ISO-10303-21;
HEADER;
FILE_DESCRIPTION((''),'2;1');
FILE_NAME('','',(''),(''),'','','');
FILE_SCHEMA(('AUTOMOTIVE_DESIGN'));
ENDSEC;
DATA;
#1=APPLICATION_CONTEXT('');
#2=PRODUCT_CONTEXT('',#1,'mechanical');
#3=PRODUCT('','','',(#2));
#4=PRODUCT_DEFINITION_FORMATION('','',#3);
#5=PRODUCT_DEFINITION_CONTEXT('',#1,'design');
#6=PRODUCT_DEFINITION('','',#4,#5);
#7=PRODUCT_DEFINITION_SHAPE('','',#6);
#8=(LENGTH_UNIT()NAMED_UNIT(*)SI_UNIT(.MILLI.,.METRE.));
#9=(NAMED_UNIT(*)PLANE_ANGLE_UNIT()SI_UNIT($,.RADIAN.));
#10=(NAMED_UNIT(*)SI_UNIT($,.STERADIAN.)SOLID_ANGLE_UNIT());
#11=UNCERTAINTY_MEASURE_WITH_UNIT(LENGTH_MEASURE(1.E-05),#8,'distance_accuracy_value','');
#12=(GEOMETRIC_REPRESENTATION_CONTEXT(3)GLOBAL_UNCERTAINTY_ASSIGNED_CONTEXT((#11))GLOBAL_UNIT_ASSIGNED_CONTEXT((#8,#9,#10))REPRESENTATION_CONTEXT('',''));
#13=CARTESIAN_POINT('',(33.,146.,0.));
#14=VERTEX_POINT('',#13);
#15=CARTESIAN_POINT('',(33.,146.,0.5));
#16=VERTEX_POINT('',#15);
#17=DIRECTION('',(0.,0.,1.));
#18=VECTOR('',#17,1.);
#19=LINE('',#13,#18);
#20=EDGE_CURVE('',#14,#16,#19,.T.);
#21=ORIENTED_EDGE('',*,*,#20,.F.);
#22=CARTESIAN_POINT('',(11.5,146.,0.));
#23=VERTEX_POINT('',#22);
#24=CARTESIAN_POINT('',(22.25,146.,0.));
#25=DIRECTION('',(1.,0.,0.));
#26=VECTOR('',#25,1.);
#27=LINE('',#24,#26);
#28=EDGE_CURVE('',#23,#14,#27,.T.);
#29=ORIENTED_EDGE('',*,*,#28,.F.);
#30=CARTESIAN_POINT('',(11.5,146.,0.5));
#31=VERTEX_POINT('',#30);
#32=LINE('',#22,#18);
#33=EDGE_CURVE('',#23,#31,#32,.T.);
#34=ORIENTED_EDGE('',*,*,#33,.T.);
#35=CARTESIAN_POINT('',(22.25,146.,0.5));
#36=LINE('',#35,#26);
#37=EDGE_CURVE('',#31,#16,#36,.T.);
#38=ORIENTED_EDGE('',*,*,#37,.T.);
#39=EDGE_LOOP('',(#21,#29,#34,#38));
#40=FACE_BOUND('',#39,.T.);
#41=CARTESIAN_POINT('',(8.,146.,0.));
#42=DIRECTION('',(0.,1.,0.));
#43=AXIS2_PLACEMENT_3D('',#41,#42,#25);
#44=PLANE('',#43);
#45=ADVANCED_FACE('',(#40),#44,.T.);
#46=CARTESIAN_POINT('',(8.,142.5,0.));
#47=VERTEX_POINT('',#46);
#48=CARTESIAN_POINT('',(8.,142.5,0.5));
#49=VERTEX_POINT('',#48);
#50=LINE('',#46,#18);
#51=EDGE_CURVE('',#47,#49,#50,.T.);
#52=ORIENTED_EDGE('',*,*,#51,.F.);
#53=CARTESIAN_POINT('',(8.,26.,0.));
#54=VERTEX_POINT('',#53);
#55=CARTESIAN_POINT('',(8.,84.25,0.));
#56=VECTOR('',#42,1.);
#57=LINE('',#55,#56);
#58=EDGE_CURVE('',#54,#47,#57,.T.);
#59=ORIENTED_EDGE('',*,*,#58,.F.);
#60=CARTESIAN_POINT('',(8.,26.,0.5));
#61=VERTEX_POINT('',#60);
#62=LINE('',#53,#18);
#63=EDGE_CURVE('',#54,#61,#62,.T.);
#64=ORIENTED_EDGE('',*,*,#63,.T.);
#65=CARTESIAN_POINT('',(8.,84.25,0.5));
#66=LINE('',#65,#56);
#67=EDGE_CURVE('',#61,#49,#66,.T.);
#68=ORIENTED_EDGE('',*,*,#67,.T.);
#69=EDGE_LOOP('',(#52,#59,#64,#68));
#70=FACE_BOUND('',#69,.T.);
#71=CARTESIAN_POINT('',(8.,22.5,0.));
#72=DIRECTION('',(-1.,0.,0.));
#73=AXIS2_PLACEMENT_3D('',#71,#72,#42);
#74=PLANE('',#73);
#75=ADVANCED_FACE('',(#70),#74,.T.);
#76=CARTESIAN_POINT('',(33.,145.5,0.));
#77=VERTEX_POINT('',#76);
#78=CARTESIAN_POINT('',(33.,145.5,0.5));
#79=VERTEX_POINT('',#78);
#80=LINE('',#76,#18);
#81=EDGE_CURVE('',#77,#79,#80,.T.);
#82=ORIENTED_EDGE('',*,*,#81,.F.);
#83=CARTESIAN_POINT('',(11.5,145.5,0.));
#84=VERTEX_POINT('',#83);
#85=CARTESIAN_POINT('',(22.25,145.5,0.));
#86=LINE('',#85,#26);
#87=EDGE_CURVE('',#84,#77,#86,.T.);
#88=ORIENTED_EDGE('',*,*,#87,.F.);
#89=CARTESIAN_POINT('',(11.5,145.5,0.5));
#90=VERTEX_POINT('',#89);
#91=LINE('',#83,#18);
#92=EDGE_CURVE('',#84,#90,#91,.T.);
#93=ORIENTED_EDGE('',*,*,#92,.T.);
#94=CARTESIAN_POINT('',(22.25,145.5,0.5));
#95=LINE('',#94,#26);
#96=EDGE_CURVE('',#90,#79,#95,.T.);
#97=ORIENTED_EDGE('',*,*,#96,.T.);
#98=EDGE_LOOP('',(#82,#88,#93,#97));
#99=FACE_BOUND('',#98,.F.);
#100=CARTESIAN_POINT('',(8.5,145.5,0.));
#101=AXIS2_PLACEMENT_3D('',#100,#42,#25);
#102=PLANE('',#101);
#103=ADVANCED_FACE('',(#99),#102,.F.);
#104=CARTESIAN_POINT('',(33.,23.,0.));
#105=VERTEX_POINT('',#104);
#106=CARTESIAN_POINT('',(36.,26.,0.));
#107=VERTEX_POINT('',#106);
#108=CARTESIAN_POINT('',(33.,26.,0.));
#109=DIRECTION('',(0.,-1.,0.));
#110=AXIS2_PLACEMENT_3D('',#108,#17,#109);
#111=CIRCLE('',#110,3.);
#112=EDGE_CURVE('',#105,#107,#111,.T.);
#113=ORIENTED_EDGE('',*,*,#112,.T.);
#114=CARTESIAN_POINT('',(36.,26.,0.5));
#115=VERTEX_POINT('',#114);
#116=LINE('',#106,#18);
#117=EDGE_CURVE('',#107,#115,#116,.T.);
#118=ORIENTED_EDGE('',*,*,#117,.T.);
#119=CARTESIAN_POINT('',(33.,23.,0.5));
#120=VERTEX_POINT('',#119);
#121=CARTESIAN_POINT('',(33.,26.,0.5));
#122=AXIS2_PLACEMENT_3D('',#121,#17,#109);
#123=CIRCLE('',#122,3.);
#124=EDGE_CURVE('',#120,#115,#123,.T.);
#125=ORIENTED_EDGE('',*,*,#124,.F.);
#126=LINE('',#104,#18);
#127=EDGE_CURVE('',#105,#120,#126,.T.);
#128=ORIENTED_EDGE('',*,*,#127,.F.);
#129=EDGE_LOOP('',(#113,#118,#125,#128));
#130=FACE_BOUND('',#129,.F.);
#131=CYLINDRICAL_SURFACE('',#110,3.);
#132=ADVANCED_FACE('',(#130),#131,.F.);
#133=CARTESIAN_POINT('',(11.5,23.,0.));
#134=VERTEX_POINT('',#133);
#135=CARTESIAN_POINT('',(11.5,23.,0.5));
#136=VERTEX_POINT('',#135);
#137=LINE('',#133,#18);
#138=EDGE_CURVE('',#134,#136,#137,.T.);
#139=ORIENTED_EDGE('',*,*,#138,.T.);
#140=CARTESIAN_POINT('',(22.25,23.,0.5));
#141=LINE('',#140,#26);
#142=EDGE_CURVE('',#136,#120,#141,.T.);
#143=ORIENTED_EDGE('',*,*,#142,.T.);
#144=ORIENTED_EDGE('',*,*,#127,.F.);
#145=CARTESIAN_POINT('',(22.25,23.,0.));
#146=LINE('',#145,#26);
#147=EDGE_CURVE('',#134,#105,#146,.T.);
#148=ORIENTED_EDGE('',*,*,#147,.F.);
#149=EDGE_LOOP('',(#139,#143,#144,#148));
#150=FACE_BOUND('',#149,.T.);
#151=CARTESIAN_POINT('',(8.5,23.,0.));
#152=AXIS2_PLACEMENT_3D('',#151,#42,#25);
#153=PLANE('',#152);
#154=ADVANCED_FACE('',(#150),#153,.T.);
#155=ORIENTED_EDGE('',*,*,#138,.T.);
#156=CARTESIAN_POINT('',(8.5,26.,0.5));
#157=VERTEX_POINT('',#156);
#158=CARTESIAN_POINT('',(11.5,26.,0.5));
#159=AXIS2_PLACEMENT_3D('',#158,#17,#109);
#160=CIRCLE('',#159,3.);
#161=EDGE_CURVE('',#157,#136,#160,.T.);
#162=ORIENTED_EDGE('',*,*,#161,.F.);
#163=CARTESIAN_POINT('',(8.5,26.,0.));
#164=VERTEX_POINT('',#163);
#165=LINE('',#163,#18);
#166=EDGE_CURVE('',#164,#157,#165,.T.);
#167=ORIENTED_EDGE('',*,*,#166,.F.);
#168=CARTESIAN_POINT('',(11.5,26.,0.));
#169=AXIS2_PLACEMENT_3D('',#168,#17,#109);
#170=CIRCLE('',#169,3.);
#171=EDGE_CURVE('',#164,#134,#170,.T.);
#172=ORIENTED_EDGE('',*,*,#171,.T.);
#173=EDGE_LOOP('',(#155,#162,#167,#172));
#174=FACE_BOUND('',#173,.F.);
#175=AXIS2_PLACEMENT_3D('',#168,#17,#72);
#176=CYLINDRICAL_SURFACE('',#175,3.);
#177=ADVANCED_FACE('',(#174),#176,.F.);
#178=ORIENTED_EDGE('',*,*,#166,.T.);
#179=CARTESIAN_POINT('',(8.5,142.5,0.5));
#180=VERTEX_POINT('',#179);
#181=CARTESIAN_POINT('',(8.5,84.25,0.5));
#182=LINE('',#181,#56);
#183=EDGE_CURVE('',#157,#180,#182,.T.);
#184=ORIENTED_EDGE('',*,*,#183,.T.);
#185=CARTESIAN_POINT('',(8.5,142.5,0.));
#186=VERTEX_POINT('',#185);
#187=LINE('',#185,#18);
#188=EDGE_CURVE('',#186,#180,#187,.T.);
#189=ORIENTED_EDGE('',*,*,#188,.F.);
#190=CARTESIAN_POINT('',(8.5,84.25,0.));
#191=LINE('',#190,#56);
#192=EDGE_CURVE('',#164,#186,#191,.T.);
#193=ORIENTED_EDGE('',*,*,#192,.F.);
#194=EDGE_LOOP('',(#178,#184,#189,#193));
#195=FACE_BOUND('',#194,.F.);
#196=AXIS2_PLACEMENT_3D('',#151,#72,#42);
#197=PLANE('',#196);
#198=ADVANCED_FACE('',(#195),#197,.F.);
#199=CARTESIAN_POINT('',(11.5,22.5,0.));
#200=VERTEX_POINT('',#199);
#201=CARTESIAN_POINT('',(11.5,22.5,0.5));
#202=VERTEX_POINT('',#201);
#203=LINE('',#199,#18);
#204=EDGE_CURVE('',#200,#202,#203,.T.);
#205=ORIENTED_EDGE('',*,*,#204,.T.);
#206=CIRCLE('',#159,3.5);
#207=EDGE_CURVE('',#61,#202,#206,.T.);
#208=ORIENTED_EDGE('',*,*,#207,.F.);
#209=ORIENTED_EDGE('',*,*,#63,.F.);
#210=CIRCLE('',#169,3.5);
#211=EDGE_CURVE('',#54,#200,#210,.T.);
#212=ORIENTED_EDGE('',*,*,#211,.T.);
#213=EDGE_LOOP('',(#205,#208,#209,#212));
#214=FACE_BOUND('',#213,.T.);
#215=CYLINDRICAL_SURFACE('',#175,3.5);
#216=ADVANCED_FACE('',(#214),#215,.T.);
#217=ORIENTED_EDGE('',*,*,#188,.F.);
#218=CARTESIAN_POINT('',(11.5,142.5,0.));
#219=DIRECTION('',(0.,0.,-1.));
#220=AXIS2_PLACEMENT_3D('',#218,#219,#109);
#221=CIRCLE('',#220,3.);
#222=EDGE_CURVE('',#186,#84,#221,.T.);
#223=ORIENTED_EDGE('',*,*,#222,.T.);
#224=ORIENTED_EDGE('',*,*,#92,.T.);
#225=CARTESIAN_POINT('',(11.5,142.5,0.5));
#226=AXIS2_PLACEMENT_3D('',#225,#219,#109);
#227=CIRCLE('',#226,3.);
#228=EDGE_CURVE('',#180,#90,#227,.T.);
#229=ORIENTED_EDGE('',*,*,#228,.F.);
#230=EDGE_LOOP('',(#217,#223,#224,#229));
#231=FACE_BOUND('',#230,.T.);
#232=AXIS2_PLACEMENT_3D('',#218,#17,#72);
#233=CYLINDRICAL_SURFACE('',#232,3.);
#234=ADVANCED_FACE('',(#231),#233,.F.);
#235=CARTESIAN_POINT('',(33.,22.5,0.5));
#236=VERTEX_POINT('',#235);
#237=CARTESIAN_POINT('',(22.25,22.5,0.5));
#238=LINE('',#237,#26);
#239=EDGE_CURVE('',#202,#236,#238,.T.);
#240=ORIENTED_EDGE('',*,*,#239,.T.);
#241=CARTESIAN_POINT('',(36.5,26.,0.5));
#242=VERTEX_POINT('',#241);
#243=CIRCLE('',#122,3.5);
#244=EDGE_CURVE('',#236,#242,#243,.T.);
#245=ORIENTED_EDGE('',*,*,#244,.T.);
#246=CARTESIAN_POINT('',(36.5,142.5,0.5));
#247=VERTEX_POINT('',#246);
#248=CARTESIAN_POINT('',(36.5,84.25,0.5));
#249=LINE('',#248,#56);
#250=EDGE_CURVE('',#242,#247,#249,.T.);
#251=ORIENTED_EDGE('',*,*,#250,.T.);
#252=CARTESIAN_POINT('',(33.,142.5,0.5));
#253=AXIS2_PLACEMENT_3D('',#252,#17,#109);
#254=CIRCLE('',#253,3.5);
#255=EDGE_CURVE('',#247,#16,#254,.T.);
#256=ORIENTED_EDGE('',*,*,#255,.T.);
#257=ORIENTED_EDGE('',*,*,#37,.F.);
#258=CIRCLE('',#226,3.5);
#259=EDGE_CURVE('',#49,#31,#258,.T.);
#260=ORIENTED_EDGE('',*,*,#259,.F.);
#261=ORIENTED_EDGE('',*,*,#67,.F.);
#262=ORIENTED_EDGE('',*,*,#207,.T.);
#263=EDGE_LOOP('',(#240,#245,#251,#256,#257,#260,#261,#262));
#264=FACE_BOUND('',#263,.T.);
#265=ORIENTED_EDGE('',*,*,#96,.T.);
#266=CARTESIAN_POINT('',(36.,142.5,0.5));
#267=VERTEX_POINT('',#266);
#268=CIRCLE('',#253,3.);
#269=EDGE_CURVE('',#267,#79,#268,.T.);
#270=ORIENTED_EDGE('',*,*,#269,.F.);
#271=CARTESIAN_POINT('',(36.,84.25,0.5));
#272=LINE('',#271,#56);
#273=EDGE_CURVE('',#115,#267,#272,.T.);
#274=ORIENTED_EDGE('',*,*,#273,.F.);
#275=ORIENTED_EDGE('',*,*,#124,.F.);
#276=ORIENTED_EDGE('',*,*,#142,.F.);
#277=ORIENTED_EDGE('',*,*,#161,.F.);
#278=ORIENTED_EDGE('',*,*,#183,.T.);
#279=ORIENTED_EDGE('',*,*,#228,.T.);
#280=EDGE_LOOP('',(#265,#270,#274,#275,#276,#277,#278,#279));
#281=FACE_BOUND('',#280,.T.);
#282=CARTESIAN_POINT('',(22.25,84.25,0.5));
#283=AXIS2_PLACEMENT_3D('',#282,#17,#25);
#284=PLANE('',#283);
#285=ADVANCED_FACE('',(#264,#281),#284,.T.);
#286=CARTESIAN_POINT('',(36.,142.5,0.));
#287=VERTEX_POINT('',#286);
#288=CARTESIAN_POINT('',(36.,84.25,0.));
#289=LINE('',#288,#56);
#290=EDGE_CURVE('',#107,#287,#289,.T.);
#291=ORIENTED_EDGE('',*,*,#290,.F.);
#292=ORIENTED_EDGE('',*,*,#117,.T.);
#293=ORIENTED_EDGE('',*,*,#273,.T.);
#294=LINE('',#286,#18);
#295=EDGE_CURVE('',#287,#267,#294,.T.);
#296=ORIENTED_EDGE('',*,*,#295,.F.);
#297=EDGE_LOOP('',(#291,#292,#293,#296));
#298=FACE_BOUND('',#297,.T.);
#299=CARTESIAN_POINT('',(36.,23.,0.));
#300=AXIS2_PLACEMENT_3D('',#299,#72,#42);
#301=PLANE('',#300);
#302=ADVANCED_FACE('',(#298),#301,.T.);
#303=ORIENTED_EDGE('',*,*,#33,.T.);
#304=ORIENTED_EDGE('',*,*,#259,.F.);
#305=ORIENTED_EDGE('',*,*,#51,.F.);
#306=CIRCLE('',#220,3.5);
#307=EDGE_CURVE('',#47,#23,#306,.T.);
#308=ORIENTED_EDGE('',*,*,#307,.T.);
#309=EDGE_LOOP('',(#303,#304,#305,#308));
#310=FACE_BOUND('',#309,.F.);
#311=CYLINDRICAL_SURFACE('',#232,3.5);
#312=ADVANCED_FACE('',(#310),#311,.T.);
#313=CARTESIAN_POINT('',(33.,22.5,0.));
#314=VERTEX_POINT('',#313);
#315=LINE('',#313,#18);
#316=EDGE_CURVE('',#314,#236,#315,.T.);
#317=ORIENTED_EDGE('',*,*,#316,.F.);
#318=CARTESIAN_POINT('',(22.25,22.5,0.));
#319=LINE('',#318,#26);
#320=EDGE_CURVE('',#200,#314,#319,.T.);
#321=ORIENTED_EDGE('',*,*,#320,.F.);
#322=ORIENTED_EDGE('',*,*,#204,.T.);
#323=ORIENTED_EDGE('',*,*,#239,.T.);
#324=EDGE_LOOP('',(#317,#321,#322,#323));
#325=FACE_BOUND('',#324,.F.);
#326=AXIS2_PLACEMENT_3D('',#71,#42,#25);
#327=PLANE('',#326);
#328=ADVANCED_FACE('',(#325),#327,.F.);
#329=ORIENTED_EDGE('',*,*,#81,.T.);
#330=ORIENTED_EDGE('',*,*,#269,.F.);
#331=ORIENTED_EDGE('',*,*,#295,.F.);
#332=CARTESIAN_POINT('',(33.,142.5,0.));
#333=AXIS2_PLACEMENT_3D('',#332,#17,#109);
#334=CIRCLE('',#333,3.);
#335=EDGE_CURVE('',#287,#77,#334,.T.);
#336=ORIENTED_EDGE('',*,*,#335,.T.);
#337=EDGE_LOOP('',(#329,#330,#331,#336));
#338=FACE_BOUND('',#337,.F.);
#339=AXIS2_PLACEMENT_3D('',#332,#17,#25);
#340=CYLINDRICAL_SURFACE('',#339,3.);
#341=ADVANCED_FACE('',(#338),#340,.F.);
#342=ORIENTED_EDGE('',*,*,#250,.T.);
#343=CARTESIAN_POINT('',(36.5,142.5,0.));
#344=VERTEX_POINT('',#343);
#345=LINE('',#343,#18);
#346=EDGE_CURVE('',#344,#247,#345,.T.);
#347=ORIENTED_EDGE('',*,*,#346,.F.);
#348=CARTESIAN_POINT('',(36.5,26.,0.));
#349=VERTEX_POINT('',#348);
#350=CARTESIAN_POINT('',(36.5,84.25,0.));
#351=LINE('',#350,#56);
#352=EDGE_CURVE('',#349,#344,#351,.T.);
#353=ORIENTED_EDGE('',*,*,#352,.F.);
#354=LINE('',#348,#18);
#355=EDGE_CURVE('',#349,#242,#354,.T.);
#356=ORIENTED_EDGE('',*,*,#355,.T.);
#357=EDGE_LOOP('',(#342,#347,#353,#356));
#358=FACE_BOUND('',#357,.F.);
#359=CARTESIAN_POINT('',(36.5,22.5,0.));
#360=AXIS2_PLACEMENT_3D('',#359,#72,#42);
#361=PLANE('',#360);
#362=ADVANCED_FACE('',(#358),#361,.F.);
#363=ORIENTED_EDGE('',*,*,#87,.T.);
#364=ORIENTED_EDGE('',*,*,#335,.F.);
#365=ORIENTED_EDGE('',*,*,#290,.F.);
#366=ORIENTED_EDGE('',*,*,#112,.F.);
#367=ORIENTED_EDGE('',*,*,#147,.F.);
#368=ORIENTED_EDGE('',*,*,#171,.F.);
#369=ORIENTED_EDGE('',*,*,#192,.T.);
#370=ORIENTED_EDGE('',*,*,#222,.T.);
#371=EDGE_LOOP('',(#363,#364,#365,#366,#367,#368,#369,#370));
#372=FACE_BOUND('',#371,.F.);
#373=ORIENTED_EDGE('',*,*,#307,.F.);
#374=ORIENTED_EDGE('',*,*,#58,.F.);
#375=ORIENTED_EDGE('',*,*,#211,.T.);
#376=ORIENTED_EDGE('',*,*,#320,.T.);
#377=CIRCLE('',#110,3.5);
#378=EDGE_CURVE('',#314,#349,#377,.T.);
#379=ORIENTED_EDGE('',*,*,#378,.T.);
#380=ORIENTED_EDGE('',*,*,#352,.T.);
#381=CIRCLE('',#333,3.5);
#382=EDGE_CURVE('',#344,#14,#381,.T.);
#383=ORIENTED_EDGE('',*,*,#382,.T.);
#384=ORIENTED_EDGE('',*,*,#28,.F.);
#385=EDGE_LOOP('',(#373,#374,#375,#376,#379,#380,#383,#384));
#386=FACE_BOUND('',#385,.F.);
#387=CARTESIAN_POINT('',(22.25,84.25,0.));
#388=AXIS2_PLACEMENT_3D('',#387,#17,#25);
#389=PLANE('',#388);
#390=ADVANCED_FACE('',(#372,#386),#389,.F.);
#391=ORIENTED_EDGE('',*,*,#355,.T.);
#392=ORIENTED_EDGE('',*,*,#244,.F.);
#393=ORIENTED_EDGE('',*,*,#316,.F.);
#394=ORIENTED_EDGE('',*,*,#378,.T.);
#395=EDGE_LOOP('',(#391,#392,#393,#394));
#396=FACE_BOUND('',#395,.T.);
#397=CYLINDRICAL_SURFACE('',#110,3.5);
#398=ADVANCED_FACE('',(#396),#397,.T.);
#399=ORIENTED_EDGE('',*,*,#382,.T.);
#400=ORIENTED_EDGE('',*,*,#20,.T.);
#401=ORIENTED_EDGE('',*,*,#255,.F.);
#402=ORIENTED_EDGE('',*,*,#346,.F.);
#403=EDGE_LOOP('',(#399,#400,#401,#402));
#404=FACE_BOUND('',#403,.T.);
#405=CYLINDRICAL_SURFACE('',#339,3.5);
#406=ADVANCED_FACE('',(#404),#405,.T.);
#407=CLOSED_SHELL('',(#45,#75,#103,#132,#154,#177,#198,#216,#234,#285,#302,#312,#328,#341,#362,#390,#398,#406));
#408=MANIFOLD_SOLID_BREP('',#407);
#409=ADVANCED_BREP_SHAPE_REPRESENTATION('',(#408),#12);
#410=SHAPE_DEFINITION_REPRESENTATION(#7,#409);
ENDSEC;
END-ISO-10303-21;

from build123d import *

# Parameters (mm, degrees)
BOX008_W     = 27.5
BOX008_H     = 122.5
BOX008_DEPTH = 0.5
FILLET005_R  = 3
BOX007_W     = 28.5
BOX007_H     = 123.5
BOX007_DEPTH = 0.5
FILLET004_R  = 3.5


with BuildPart() as fillet005:
    # Box008 → Box008 (new body)
    with BuildSketch(Plane(origin=(8, 22, 0), x_dir=(1, 0, 0), z_dir=(0, 0, 1))):
        with Locations((13.75, 61.25)):
            Rectangle(BOX008_W, BOX008_H)
    extrude(amount=BOX008_DEPTH)

    # Fillet005
    fillet005_edges = [fillet005.edges().sort_by_distance(p)[0] for p in [
        (8, 22, 0.25),
        (8, 144.5, 0.25),
        (35.5, 22, 0.25),
        (35.5, 144.5, 0.25),
    ]]
    fillet(fillet005_edges, radius=FILLET005_R)


with BuildPart() as fillet005_1:
    # Fillet005 placement: moved
    add(fillet005.part.moved(Location((0.5, 1, 0))))


with BuildPart() as cut005:
    # Box007 → Box007 (new body)
    with BuildSketch(Plane(origin=(8.5, 22.5, 0), x_dir=(1, 0, 0), z_dir=(0, 0, 1))):
        with Locations((14.25, 61.75)):
            Rectangle(BOX007_W, BOX007_H)
    extrude(amount=BOX007_DEPTH)

    # Fillet004
    fillet004_edges = [cut005.edges().sort_by_distance(p)[0] for p in [
        (8.5, 22.5, 0.25),
        (8.5, 146, 0.25),
        (37, 22.5, 0.25),
        (37, 146, 0.25),
    ]]
    fillet(fillet004_edges, radius=FILLET004_R)


with BuildPart() as cut005_1:
    # Fillet004 placement: moved
    add(cut005.part.moved(Location((-0.5, 0, 0))))

    # Cut005: cut Fillet005
    add(fillet005_1.part, mode=Mode.SUBTRACT)


solid = cut005_1.part
